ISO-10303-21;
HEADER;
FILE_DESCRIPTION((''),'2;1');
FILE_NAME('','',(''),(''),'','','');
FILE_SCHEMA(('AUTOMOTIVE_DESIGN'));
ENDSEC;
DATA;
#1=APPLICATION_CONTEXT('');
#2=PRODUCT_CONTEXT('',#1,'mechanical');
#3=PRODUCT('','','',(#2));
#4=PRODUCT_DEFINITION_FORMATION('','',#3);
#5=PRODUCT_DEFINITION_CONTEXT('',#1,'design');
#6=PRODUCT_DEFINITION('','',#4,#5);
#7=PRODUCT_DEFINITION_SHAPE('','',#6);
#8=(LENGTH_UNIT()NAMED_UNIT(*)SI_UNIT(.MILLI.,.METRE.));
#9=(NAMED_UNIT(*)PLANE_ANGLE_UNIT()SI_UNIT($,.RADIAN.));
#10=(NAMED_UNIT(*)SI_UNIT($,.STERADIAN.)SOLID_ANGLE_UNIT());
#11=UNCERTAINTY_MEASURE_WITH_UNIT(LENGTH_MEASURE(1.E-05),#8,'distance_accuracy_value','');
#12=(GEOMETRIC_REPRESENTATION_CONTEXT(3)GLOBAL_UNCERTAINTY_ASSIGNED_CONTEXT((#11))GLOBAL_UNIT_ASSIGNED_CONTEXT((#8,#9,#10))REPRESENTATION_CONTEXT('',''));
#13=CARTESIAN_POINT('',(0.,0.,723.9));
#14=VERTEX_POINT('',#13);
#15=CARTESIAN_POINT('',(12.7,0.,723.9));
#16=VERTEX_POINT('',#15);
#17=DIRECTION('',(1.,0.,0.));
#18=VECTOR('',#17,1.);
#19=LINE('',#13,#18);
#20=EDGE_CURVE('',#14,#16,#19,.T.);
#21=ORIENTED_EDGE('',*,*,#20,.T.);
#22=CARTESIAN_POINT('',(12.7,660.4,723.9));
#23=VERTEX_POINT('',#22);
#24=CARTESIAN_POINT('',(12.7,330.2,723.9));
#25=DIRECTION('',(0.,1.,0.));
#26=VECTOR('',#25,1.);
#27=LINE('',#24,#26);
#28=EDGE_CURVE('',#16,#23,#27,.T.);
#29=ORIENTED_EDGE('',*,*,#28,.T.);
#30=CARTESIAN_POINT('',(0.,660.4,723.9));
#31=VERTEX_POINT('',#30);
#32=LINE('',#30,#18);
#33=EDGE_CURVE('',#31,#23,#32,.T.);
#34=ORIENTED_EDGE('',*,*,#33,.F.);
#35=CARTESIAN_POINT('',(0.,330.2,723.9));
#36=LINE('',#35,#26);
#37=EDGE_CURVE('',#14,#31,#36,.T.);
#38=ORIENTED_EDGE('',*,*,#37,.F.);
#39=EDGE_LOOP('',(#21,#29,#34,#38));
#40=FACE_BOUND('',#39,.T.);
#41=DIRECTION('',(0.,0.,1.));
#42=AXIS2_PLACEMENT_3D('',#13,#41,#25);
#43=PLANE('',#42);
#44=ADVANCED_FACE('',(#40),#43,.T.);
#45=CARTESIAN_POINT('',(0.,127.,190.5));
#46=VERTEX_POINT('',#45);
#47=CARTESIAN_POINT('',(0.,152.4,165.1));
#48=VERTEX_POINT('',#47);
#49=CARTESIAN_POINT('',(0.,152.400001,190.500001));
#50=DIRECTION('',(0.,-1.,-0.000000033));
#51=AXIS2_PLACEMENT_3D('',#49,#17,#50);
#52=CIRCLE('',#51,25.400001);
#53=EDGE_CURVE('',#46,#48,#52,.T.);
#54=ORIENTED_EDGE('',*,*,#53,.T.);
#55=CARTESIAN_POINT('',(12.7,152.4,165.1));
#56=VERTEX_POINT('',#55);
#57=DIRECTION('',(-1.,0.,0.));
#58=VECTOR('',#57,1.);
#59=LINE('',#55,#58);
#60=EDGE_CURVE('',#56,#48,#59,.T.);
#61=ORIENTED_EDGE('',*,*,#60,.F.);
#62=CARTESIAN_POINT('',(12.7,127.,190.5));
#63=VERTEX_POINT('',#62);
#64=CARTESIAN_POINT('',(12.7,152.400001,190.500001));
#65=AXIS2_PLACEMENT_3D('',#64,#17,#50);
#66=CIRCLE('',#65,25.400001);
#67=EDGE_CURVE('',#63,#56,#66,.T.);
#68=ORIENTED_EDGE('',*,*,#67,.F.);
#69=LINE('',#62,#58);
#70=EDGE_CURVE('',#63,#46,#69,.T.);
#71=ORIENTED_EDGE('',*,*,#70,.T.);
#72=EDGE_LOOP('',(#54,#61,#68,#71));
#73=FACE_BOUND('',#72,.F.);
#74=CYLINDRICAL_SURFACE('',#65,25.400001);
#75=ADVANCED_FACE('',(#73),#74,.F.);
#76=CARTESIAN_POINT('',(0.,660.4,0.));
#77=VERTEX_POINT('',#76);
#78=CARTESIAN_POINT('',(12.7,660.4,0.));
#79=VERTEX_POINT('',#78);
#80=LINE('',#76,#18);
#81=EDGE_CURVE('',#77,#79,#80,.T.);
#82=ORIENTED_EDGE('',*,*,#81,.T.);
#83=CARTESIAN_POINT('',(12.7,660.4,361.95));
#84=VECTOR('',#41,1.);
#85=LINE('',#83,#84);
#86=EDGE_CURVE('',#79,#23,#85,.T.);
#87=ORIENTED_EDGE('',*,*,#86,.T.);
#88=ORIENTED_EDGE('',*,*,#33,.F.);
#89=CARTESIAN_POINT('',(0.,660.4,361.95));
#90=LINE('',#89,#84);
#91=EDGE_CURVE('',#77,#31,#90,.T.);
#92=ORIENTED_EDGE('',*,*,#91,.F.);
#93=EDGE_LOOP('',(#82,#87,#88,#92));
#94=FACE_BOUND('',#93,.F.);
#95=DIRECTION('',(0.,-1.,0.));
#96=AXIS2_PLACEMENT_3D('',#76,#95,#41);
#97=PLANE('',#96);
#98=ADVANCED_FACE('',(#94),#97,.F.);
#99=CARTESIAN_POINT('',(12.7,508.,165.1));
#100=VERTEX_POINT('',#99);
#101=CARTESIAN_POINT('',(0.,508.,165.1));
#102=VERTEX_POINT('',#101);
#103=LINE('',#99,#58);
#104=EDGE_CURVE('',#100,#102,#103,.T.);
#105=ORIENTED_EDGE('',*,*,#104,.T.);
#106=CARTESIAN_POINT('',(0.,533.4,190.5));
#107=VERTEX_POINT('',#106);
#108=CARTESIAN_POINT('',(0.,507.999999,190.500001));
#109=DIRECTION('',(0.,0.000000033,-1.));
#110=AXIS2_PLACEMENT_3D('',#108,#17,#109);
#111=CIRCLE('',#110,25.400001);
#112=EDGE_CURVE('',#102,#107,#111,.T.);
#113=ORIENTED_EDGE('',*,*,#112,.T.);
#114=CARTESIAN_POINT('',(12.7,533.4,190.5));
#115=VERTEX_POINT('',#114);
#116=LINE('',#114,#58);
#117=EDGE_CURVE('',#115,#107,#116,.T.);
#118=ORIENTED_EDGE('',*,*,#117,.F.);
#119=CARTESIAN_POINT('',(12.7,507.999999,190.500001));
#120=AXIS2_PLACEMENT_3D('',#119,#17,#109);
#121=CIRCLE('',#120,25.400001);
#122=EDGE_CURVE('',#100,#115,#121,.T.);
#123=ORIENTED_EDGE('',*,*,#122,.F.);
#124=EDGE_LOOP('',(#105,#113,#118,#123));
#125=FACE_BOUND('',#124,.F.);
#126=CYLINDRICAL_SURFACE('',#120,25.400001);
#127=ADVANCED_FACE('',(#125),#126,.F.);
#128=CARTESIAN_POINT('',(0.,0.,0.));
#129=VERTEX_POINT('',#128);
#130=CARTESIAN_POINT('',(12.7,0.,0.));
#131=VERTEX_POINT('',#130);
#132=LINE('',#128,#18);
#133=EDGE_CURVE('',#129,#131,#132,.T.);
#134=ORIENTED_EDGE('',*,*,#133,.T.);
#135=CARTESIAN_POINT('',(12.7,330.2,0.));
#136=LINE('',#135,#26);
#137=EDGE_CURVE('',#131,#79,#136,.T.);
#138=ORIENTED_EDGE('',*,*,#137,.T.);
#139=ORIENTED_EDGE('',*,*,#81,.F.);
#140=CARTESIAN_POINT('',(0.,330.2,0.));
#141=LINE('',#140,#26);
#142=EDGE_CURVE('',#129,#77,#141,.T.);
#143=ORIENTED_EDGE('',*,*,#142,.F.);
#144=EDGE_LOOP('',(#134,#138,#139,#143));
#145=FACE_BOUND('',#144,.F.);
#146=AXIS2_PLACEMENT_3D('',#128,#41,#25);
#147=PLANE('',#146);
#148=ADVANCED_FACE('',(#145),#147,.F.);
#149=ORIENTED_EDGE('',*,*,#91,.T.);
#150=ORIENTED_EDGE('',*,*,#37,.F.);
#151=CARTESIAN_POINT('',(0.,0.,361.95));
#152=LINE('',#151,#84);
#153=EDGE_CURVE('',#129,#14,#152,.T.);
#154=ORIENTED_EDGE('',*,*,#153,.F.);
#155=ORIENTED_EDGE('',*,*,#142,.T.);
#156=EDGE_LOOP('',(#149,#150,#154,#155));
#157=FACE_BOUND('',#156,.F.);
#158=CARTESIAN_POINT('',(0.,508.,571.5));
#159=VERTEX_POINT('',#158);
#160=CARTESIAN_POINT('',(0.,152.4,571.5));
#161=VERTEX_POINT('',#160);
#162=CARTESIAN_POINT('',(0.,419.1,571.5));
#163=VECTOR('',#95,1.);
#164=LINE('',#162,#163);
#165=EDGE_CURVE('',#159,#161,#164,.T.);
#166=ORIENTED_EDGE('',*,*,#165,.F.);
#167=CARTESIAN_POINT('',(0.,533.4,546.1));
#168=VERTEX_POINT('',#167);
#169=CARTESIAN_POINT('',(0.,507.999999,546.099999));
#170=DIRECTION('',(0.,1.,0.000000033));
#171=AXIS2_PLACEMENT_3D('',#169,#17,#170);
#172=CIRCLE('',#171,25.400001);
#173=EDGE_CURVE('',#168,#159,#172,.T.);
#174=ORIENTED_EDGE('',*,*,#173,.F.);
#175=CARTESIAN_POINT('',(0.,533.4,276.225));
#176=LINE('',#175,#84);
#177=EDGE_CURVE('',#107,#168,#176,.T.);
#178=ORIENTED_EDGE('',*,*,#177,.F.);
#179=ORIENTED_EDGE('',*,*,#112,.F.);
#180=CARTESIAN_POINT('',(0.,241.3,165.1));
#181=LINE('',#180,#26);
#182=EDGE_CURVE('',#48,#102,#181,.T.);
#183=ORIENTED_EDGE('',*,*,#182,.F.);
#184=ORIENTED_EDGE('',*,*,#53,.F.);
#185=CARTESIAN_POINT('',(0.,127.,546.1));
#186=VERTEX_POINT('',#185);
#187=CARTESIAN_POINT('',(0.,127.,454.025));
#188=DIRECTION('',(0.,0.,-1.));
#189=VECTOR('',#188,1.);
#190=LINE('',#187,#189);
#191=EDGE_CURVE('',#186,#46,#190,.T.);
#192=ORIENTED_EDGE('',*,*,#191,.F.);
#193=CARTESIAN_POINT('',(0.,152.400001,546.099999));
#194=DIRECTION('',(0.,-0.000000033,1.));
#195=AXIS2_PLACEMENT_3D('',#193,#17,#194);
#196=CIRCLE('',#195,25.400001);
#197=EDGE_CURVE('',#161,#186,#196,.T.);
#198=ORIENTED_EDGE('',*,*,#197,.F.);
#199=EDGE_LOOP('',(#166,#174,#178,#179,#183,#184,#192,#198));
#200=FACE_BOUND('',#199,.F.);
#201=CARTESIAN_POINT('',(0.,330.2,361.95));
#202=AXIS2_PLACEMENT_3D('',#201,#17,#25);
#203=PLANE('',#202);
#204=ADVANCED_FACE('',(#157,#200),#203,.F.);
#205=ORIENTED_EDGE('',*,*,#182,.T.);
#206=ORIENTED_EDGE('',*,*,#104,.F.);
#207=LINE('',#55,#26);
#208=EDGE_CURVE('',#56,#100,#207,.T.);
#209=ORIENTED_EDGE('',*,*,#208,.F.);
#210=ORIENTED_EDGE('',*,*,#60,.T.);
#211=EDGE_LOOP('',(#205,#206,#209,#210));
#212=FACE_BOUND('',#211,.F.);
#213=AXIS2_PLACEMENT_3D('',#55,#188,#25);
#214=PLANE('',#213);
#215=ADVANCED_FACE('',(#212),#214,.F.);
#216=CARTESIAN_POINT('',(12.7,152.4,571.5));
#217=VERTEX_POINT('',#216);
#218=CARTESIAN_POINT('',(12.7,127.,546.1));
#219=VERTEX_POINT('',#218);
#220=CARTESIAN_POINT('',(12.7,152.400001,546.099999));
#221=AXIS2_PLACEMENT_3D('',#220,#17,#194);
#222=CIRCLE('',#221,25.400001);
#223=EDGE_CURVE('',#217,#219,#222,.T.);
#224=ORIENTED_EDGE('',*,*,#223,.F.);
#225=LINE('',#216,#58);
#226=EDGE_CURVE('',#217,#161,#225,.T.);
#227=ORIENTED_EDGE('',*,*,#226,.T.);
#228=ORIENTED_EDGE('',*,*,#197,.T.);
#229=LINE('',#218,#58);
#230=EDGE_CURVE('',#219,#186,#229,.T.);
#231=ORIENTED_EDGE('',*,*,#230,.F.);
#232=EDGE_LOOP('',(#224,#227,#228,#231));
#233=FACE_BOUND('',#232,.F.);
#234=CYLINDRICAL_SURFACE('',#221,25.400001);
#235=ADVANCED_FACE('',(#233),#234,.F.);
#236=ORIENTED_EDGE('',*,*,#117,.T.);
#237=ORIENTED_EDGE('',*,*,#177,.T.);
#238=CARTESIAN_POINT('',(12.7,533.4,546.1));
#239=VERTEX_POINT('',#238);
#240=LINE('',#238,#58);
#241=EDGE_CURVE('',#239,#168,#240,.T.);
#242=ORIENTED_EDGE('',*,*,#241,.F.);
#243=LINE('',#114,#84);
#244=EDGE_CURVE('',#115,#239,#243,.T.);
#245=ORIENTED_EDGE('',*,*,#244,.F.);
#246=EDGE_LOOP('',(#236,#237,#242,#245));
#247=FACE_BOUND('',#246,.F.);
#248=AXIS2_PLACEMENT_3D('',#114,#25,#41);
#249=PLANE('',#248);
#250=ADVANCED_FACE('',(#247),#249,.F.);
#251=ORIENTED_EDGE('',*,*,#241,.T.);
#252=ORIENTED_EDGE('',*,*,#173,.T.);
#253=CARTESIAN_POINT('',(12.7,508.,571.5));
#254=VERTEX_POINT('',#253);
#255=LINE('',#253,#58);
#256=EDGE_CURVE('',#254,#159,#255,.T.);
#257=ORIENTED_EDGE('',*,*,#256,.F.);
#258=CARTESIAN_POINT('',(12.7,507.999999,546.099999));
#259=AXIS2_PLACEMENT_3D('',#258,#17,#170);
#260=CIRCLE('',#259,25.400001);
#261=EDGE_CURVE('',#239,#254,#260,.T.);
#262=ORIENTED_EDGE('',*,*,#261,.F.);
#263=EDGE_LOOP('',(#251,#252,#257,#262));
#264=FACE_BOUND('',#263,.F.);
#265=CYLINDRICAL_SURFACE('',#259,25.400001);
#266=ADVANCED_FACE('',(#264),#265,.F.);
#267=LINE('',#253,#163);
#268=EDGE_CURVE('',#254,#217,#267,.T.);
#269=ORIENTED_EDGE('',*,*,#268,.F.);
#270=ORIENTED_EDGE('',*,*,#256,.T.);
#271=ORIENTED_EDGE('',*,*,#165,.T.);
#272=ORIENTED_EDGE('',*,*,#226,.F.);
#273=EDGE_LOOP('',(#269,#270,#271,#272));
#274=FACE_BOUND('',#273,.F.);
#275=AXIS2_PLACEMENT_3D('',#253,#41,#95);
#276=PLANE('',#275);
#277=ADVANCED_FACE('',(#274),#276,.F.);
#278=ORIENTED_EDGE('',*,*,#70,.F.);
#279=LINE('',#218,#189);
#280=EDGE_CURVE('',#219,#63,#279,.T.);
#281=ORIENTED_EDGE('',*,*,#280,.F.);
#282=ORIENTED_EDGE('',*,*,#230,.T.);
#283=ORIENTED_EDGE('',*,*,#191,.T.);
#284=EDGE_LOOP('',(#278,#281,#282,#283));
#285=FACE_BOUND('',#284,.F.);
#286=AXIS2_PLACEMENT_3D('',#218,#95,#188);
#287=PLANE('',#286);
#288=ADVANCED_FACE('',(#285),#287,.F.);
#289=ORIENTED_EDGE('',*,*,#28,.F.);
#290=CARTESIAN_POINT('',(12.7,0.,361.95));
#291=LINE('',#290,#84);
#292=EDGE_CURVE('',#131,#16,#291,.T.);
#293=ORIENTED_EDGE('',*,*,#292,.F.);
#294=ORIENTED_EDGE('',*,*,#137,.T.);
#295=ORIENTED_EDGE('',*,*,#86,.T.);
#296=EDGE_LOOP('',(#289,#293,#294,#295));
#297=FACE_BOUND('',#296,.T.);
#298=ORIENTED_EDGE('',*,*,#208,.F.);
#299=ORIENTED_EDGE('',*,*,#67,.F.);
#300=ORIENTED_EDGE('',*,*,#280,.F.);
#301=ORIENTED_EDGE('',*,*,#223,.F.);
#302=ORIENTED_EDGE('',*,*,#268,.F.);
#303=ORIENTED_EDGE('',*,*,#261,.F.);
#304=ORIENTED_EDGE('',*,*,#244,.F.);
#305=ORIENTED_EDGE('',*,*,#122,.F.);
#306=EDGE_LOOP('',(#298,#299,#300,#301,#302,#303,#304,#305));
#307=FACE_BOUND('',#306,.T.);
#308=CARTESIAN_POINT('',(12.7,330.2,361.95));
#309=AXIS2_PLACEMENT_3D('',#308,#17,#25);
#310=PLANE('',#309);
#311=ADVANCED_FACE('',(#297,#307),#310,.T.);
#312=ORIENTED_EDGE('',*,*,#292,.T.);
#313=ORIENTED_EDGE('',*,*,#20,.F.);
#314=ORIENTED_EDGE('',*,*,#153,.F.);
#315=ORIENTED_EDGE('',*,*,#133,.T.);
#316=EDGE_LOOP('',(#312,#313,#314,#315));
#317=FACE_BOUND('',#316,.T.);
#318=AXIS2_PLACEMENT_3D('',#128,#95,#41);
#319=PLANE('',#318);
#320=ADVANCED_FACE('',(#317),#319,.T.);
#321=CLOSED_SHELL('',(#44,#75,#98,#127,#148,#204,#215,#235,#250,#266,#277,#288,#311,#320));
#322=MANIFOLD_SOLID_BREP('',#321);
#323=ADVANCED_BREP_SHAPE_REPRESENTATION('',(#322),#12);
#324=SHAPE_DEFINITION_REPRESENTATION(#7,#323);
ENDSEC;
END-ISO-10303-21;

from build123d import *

# Parameters (mm, degrees)
F0_W     = 660.4
F0_H     = 723.9
F1_DEPTH = 12.7
F3_DEPTH = 12.701


with BuildPart() as f1:
    # F0 (on Right) → F1 (new body)
    with BuildSketch(Plane.YZ):
        with Locations((330.2, 361.95)):
            Rectangle(F0_W, F0_H)
    extrude(amount=F1_DEPTH)

    # F2 (on face) → F3 (cut, through all)
    with BuildSketch(Plane.YZ.offset(12.7)):
        with BuildLine():
            Line((508, 571.5), (152.4, 571.5))
            ThreePointArc((152.4, 571.5), (134.439488, 564.060512), (127, 546.1))
            Line((127, 546.1), (127, 190.5))
            ThreePointArc((127, 190.5), (134.439488, 172.539488), (152.4, 165.1))
            Line((152.4, 165.1), (508, 165.1))
            ThreePointArc((508, 165.1), (525.960512, 172.539488), (533.4, 190.5))
            Line((533.4, 190.5), (533.4, 546.1))
            ThreePointArc((533.4, 546.1), (525.960512, 564.060512), (508, 571.5))
        make_face()
    extrude(amount=-F3_DEPTH, mode=Mode.SUBTRACT)


solid = f1.part
